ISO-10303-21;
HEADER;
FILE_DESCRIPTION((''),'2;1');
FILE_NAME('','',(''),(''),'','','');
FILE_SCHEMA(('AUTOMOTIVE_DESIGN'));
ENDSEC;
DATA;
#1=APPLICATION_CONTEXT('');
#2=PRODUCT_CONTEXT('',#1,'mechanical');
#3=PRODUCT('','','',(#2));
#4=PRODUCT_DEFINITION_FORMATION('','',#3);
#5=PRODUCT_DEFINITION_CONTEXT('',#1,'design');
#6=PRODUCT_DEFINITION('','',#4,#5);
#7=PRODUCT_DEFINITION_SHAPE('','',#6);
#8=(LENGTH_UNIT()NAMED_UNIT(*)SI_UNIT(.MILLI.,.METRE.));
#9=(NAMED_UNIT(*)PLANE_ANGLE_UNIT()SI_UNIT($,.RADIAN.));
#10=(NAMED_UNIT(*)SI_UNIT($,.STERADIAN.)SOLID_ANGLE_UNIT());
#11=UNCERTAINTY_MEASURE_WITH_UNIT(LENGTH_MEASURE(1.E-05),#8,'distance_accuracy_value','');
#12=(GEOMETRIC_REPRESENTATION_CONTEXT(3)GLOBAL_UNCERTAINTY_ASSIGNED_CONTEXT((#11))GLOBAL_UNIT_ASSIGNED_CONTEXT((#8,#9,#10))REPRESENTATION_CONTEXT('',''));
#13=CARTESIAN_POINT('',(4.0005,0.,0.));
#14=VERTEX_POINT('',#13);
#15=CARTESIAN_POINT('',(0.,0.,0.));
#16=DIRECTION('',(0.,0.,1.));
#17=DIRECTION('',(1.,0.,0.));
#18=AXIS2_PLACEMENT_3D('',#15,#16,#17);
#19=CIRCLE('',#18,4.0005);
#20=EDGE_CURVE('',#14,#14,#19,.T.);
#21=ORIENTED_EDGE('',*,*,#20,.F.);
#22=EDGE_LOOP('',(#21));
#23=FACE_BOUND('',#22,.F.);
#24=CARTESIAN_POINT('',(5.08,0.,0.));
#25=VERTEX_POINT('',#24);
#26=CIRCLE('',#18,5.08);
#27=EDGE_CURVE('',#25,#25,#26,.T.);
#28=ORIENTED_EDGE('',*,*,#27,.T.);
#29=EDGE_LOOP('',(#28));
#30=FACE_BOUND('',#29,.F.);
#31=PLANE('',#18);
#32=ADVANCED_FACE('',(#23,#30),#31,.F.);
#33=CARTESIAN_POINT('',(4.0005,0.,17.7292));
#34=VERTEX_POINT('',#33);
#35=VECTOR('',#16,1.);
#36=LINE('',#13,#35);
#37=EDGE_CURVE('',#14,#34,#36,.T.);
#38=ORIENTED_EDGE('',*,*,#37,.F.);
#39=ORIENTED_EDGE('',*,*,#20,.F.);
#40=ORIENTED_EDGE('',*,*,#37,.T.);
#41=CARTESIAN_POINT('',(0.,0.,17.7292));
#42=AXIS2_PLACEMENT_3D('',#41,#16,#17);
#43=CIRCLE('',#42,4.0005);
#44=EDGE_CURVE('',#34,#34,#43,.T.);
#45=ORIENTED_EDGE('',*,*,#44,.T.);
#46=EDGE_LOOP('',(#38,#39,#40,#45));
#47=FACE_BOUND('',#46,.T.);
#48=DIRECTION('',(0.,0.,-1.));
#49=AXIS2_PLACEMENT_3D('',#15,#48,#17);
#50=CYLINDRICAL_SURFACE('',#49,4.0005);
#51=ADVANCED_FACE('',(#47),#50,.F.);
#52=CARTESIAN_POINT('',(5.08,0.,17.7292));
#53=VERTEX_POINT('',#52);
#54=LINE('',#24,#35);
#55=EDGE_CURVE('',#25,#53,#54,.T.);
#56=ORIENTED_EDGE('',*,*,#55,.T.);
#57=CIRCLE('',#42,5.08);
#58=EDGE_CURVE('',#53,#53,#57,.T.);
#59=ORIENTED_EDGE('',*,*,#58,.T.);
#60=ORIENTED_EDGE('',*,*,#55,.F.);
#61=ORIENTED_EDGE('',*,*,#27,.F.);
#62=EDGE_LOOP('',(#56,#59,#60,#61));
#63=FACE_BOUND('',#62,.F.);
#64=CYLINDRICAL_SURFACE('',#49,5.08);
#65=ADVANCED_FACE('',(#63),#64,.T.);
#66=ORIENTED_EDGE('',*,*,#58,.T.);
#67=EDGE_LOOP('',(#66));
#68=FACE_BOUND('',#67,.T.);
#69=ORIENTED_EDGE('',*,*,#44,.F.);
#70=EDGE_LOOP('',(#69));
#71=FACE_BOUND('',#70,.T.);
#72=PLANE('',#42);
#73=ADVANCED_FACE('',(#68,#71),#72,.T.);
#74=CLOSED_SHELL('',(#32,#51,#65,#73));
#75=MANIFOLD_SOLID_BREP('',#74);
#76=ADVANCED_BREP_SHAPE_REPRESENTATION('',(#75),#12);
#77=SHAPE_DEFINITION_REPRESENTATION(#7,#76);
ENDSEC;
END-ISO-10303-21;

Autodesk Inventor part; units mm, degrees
ref_plane "YZ Plane" through (0, 0, 0) normal (1, 0, 0) x (0, 1, 0)
ref_plane "XZ Plane" through (0, 0, 0) normal (0, 1, 0) x (-1, 0, 0)
ref_plane "XY Plane" through (0, 0, 0) normal (0, 0, 1) x (1, 0, 0)
sketch "Sketch1" plane through (0, 0, 0) normal (0, 0, 1) x (1, 0, 0)
  circle A0 centre (0, 0) radius 4.0005
  circle A1 centre (0, 0) radius 5.08
  dimension "d0" = 8.001
  dimension "d1" = 10.16
extrude "Extrusion1" add sketch "Sketch1" along normal blind 17.7292
properties part number "ClawSpacer"
